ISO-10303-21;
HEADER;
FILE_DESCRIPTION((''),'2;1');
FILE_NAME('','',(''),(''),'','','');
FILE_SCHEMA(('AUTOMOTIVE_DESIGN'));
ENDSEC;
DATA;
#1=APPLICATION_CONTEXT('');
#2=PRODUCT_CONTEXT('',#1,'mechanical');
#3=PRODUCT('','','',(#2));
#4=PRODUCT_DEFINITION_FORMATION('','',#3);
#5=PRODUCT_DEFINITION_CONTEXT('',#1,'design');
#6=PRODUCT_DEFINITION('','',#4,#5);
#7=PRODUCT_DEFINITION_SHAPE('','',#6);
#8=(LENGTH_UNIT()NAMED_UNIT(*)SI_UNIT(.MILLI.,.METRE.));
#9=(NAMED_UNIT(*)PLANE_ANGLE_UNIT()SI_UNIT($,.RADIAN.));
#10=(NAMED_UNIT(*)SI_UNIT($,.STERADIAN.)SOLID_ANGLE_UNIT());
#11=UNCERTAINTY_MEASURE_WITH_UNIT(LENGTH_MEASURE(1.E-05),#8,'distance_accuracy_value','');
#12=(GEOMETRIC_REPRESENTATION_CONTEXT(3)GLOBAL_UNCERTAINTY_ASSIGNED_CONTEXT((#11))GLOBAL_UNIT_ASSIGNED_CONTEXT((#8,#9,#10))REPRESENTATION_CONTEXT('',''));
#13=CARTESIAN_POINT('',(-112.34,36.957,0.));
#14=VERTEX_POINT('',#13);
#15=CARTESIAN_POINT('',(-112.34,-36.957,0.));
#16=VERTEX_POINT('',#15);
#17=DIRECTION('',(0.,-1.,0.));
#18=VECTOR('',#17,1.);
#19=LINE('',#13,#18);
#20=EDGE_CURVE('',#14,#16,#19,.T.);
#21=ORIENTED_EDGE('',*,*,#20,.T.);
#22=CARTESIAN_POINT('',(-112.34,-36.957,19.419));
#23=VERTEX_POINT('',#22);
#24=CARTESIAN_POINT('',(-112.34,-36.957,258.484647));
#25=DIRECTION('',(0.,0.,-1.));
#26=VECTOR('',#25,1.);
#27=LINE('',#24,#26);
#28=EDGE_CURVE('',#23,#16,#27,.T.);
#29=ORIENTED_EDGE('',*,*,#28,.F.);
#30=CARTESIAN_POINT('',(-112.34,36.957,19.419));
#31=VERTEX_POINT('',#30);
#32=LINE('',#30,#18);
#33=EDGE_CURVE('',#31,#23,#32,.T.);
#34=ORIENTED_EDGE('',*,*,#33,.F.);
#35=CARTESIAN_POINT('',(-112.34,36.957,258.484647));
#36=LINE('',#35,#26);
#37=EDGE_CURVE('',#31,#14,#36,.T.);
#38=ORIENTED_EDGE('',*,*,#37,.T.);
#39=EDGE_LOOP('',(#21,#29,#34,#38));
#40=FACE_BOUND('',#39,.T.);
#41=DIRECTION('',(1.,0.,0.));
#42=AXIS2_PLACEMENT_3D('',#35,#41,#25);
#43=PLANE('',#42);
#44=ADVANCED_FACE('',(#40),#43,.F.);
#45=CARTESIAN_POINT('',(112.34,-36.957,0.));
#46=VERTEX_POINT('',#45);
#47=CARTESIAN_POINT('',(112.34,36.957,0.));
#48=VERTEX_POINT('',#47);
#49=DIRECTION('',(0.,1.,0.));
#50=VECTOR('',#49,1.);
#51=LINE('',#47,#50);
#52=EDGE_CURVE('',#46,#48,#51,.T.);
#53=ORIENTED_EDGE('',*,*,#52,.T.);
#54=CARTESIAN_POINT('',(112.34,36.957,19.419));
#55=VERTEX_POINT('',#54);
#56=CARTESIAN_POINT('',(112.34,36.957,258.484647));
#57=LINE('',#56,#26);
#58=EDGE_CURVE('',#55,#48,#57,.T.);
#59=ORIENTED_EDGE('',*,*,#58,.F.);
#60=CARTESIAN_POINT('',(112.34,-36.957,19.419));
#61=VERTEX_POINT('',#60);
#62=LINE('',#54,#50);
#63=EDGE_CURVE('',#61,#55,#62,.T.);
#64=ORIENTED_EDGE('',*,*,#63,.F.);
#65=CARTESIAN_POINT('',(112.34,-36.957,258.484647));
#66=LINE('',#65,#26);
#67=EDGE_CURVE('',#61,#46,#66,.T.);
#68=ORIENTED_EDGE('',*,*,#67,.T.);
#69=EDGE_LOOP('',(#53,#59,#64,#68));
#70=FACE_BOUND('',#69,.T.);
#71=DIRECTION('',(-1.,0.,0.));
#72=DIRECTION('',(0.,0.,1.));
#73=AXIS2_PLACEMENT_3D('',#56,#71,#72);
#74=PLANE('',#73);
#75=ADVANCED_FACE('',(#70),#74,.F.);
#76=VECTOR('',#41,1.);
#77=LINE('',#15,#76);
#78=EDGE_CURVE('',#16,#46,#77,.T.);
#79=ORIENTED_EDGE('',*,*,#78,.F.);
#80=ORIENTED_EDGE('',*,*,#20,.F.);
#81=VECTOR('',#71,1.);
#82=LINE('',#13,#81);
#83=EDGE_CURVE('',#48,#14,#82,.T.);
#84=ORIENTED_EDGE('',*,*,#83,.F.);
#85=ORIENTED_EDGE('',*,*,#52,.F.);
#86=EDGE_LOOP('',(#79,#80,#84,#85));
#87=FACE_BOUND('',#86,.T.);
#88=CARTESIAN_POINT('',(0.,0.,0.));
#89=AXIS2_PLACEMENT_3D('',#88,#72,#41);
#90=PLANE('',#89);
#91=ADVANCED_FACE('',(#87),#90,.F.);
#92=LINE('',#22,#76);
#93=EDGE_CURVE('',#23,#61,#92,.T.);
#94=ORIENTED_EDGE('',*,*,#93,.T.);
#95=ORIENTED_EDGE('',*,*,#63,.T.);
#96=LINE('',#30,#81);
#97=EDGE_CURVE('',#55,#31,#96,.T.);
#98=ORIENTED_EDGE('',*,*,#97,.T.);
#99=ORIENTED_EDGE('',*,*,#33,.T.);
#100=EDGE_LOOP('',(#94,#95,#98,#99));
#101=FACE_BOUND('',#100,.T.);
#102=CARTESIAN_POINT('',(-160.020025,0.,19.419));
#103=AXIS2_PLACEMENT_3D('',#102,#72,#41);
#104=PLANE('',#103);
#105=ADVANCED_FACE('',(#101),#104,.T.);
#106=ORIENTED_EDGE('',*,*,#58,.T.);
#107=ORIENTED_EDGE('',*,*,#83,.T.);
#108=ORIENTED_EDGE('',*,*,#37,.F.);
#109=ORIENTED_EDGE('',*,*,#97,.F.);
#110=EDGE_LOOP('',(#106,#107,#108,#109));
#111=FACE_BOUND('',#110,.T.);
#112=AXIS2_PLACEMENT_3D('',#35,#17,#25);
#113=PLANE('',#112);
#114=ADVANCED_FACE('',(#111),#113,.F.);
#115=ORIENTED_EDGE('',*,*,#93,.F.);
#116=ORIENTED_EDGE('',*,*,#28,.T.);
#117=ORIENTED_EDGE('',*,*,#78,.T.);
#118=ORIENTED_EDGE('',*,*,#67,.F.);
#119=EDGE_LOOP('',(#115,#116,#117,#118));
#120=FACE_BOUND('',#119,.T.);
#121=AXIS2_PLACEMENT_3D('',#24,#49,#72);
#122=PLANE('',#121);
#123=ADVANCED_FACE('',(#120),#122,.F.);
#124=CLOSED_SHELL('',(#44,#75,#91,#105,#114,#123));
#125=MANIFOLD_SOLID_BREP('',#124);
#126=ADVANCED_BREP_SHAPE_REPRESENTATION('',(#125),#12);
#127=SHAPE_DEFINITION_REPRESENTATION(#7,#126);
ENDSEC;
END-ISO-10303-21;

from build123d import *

# Parameters (mm, degrees)
SKETCH1_W           = 224.68
SKETCH1_H           = 73.914
BOSS_EXTRUDE1_DEPTH = 19.419


with BuildPart() as part:
    # Sketch1 → Boss-Extrude1 (new body)
    with BuildSketch(Plane.XY):
        Rectangle(SKETCH1_W, SKETCH1_H)
    extrude(amount=BOSS_EXTRUDE1_DEPTH)


solid = part.part
